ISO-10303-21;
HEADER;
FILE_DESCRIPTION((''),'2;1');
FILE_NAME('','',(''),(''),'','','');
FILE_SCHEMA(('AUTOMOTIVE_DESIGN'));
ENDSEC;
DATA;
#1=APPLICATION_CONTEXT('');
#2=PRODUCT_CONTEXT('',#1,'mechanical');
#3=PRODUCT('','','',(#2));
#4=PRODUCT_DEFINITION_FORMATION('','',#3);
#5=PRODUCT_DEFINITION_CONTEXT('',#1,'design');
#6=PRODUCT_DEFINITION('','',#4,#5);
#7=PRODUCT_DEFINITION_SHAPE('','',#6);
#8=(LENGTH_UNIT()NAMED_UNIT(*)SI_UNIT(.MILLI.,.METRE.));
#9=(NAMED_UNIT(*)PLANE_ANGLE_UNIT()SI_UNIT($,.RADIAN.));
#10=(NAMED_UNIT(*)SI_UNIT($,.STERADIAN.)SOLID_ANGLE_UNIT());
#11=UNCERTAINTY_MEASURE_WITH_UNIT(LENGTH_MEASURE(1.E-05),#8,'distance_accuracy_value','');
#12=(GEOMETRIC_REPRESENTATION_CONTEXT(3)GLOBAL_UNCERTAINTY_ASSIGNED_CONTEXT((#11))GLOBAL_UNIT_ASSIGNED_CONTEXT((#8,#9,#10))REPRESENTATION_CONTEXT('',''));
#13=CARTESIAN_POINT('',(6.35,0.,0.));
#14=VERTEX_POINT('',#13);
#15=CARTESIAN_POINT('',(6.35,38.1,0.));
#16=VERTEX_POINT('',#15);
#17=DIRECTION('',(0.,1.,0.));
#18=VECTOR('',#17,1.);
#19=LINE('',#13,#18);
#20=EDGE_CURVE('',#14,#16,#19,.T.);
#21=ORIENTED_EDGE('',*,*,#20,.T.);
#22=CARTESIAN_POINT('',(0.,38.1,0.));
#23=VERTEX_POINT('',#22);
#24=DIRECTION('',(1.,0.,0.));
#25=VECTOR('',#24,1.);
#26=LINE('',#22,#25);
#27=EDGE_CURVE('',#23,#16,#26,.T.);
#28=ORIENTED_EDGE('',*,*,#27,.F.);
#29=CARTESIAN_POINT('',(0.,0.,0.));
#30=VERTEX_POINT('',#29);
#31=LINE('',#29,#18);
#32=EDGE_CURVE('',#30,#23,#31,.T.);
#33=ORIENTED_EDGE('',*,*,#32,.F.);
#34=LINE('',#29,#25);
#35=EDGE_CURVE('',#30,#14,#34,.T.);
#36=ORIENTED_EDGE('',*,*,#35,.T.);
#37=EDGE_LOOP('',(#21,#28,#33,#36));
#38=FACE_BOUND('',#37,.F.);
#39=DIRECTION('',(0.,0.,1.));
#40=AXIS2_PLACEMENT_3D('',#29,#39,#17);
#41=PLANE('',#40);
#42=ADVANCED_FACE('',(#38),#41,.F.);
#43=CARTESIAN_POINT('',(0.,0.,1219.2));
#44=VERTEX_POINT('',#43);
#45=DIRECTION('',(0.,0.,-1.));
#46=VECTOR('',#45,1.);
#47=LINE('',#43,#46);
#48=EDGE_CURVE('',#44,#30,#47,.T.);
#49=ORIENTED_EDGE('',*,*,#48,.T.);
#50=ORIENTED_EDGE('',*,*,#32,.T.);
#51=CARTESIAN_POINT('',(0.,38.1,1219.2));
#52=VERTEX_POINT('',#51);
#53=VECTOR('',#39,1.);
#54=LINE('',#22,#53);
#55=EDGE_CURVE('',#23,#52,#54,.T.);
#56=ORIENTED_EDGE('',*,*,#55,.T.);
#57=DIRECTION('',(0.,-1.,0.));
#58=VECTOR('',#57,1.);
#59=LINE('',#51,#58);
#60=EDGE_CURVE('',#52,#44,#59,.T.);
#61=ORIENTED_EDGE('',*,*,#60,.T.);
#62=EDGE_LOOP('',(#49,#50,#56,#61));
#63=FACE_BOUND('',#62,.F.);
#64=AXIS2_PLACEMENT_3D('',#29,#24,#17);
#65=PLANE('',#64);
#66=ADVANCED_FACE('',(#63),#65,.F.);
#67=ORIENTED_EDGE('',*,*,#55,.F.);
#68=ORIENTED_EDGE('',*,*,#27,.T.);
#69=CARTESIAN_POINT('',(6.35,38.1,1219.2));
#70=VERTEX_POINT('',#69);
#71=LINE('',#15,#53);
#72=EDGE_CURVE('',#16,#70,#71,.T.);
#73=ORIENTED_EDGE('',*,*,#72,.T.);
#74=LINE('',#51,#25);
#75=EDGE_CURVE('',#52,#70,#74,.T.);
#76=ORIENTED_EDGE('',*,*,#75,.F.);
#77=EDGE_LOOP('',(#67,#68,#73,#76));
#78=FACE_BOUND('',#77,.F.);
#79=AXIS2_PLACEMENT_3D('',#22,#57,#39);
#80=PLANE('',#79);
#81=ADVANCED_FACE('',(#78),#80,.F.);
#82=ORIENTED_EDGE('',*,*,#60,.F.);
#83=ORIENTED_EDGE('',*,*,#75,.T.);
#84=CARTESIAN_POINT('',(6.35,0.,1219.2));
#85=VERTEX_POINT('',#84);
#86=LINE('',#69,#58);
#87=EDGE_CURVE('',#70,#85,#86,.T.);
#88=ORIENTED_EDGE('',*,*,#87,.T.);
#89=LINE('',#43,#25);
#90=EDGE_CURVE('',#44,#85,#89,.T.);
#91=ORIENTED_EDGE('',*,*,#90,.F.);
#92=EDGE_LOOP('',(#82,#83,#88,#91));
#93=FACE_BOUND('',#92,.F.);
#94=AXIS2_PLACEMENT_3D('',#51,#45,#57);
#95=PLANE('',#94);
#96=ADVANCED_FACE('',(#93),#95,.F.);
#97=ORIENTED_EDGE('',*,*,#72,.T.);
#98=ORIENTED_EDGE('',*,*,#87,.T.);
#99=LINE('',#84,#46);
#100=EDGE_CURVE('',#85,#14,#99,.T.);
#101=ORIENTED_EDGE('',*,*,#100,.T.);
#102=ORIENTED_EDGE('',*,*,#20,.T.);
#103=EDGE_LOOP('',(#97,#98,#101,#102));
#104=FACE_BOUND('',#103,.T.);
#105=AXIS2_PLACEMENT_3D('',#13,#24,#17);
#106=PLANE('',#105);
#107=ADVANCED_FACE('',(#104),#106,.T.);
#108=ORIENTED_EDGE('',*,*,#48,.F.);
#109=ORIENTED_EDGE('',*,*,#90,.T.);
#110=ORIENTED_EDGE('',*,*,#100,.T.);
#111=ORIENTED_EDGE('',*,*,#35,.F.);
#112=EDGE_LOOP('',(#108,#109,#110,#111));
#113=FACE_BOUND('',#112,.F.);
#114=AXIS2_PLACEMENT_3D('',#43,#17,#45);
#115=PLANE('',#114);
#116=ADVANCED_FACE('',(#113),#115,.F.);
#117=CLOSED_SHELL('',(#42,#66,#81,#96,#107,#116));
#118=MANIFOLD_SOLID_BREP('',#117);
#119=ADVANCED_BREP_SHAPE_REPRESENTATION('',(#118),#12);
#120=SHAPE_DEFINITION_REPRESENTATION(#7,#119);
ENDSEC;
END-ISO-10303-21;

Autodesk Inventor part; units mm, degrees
ref_plane "YZ Plane" through (0, 0, 0) normal (1, 0, 0) x (0, 1, 0)
ref_plane "XZ Plane" through (0, 0, 0) normal (0, 1, 0) x (-1, 0, 0)
ref_plane "XY Plane" through (0, 0, 0) normal (0, 0, 1) x (1, 0, 0)
sketch "Sketch1" plane through (0, 0, 0) normal (1, 0, 0) x (0, 1, 0)
  line L0 (0, 0) -> (38.1, 0)
  line L1 (38.1, 0) -> (38.1, 1219.2)
  line L2 (38.1, 1219.2) -> (0, 1219.2)
  line L3 (0, 1219.2) -> (0, 0)
  dimension "d0" = 38.1
  dimension "d1" = 1219.2
extrude "Extrusion1" add sketch "Sketch1" along normal blind 6.35
properties part number "side-panel" material "Polycarbonate, Clear"
